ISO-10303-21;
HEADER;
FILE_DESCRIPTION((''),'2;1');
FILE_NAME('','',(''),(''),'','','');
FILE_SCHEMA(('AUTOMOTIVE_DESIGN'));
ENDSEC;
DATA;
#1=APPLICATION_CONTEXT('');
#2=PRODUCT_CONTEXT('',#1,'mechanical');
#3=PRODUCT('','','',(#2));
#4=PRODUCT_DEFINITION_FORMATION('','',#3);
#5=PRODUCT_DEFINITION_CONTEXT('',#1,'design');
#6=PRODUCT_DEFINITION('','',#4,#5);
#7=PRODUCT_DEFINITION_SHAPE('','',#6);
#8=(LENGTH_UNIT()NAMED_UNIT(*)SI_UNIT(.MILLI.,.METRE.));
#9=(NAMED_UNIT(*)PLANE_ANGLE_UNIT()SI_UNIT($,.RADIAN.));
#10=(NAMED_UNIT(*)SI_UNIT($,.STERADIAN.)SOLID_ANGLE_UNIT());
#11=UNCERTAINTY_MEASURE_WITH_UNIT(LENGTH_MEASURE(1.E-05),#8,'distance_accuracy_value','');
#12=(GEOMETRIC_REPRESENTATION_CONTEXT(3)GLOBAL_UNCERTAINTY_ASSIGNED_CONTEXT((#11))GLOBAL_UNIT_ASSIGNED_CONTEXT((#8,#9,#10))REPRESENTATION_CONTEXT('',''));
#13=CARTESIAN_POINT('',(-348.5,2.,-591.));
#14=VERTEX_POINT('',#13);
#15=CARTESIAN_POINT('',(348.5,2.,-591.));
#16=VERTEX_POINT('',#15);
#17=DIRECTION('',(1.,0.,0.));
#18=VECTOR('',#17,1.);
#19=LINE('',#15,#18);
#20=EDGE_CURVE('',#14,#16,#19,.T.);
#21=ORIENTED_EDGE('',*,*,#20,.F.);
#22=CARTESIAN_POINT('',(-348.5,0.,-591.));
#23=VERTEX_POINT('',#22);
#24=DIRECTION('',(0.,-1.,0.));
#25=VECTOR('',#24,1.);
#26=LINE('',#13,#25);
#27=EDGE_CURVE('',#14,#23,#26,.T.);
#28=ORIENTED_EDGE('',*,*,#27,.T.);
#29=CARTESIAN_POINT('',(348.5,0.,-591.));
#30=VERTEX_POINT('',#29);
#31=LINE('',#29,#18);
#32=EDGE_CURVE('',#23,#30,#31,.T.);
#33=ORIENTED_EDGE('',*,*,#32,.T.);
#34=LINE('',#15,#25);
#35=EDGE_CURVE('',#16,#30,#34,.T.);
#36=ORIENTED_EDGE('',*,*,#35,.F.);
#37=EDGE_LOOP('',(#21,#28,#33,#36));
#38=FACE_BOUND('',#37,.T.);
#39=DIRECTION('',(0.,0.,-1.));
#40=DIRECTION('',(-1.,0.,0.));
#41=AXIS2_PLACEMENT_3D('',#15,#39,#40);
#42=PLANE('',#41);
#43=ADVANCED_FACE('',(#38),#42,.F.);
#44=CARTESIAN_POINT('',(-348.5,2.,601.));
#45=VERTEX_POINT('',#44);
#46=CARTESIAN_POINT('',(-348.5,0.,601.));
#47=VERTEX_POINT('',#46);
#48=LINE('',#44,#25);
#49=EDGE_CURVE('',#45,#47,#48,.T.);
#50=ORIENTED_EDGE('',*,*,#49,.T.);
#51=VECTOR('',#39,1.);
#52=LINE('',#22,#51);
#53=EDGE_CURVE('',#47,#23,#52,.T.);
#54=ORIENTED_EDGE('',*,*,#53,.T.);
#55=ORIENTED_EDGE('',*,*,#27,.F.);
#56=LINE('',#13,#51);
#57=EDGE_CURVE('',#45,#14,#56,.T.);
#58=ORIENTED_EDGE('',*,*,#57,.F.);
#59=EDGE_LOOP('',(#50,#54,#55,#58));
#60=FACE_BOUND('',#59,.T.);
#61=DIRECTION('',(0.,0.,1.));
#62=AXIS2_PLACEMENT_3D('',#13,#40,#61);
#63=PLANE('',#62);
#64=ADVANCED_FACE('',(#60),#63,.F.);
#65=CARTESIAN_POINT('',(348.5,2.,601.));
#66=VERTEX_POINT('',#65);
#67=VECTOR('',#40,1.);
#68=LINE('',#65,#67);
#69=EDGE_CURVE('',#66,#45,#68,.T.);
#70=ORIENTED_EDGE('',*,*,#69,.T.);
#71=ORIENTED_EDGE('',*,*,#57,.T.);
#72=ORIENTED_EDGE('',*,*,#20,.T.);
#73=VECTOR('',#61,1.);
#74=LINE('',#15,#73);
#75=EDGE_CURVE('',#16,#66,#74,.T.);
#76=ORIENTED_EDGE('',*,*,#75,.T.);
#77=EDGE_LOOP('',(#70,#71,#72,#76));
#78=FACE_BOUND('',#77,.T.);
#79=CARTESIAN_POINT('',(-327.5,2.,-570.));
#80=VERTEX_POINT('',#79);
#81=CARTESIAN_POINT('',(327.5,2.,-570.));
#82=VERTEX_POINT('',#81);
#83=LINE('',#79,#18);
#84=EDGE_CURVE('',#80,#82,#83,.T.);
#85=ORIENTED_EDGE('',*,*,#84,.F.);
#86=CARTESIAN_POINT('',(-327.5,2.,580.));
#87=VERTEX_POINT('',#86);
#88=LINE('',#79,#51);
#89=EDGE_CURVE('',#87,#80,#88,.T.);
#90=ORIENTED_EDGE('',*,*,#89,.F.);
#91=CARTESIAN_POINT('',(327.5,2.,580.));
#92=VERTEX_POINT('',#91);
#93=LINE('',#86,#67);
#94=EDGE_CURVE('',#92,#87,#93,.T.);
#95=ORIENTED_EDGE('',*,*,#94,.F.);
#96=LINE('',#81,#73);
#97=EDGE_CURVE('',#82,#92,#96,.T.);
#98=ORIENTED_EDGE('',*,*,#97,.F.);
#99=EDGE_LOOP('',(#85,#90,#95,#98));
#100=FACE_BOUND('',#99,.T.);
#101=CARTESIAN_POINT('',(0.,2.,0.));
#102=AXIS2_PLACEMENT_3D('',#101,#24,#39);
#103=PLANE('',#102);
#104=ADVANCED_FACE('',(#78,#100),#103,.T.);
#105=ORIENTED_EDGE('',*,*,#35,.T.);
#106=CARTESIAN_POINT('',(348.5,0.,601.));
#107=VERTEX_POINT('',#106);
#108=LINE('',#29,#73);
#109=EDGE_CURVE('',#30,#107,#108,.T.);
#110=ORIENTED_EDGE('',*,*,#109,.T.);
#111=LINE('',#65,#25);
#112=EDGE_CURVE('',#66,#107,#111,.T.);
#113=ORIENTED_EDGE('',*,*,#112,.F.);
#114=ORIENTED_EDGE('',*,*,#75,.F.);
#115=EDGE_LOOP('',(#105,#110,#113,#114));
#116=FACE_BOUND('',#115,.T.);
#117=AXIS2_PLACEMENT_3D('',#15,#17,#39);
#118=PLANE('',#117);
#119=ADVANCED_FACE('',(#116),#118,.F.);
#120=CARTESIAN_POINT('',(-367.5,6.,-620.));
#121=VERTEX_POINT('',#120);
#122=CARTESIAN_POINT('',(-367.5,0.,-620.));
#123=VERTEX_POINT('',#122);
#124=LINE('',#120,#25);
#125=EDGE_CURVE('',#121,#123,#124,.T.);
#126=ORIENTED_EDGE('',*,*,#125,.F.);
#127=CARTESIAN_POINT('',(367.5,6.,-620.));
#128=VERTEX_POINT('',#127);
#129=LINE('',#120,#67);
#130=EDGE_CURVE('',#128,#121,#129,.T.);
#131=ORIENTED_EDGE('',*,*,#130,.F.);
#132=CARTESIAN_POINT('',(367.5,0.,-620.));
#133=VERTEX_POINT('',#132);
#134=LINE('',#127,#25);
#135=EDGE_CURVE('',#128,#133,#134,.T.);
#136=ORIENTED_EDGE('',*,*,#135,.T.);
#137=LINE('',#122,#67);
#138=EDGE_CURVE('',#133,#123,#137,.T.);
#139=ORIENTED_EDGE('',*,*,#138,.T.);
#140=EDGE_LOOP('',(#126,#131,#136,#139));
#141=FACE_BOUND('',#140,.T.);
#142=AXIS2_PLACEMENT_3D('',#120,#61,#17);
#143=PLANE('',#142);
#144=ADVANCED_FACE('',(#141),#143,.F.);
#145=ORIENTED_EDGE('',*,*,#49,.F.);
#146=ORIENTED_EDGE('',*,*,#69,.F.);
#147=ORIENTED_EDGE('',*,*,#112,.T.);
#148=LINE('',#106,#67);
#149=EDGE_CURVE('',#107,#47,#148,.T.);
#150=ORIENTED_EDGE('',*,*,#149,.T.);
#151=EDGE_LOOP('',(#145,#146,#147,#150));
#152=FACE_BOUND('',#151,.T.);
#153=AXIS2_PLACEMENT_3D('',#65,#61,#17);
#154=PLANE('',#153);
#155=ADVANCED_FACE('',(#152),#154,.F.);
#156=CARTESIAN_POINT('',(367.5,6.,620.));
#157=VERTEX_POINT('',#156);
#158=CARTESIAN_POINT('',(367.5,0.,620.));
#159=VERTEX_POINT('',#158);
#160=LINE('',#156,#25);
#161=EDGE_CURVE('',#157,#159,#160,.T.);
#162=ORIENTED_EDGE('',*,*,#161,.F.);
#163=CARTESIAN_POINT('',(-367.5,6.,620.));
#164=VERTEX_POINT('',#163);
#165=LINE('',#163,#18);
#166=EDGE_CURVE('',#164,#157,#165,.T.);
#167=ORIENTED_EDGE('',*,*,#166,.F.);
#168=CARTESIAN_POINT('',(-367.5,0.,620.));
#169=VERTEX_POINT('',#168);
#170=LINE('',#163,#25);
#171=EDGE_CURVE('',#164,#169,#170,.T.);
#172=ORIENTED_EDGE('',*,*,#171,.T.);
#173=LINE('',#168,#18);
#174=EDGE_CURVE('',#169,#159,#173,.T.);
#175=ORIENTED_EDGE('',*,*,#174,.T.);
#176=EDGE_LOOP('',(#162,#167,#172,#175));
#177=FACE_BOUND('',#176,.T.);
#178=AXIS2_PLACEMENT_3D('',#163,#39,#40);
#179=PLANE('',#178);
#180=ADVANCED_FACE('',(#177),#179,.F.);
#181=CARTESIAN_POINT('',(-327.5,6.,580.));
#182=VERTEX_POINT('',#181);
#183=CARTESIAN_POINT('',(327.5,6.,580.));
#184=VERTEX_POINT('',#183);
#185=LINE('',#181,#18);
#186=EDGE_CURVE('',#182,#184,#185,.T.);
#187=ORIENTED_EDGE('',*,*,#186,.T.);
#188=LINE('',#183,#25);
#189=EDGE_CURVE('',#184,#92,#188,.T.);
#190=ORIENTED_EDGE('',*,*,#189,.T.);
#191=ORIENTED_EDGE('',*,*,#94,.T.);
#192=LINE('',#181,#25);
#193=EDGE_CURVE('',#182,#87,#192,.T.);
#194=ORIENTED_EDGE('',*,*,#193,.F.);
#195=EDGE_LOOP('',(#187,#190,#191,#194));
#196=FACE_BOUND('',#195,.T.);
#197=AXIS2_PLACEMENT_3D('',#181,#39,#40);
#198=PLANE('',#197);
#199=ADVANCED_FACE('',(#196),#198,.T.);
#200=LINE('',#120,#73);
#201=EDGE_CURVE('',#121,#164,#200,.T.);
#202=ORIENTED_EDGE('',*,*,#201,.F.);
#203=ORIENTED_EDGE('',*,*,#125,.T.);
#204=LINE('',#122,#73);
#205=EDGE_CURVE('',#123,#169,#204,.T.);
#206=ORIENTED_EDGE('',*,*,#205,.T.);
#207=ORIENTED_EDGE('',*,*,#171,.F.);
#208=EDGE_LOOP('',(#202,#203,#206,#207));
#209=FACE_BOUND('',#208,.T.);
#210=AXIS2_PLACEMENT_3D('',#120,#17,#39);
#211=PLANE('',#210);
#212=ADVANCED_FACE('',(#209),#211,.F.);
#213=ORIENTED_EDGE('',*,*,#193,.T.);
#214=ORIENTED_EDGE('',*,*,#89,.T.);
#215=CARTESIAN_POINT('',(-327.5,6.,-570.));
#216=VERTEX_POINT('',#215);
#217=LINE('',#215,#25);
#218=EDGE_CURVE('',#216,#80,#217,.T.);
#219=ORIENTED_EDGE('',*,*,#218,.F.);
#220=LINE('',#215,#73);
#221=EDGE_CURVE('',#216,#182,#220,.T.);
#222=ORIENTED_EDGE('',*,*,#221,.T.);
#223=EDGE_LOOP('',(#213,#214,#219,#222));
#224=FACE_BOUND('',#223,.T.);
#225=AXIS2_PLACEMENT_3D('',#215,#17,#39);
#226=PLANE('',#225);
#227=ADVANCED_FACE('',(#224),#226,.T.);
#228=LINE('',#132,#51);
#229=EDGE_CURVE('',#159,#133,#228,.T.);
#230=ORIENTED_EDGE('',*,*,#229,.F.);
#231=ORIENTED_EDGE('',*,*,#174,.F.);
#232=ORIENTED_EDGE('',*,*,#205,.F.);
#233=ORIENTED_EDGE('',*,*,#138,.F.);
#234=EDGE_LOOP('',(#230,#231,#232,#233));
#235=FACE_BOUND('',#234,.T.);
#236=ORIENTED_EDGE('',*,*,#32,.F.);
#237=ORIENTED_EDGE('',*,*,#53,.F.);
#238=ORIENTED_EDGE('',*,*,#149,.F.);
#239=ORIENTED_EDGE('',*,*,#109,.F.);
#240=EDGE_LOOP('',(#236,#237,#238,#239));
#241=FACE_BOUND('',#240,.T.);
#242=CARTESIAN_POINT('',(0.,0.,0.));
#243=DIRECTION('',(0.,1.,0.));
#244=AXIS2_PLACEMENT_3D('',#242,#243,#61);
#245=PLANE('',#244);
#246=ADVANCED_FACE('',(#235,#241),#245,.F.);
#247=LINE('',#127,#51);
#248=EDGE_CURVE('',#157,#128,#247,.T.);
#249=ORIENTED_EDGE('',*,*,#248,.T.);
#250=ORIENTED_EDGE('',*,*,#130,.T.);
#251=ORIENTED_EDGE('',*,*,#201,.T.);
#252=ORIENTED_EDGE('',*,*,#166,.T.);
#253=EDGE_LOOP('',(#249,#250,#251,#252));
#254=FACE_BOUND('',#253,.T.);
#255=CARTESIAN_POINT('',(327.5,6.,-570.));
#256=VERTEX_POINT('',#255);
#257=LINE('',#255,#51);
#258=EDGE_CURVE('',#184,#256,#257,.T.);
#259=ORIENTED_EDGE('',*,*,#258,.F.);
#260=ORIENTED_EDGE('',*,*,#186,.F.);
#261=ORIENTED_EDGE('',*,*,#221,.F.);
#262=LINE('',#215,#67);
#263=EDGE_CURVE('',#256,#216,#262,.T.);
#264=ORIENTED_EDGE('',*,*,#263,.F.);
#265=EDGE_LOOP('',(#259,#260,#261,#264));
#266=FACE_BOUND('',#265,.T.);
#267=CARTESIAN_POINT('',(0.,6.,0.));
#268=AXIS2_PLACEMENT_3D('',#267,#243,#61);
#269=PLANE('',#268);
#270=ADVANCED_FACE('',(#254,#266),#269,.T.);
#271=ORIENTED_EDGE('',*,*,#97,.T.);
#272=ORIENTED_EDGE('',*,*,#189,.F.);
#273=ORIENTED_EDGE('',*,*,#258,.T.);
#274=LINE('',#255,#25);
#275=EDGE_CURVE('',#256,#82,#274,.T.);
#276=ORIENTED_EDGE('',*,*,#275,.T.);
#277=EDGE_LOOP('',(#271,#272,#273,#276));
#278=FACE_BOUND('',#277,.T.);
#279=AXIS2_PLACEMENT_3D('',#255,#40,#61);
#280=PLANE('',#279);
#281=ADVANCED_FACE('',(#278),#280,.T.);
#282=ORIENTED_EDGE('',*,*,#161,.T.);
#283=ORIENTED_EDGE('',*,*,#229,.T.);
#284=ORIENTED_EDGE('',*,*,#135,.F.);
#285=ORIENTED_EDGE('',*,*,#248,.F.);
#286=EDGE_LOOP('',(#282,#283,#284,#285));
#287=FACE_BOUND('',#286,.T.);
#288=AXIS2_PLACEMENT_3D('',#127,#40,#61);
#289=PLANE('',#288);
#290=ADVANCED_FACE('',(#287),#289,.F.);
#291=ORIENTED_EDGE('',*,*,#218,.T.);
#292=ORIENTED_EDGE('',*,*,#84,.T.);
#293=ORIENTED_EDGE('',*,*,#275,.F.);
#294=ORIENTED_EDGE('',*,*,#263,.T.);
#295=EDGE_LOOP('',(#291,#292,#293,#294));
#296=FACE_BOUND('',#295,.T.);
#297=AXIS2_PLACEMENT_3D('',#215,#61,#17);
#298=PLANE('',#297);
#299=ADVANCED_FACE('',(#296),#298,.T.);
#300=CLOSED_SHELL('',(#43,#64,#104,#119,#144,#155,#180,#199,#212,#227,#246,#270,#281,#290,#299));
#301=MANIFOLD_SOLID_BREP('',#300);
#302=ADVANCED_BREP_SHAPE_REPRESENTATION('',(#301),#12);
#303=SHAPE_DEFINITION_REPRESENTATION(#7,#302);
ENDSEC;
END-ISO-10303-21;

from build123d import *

# Parameters (mm, degrees)
SKETCH1_W           = 735
SKETCH1_H           = 1240
SKETCH1_W_2         = 655
SKETCH1_H_2         = 1150
BOSS_EXTRUDE1_DEPTH = 6
SKETCH2_W           = 697
SKETCH2_H           = 1192
CUT_EXTRUDE1_DEPTH  = 2


with BuildPart() as part:
    # Sketch1 → Boss-Extrude1 (new body)
    with BuildSketch(Plane(origin=(0, 0, 0), x_dir=(1, 0, 0), z_dir=(0, 1, 0))):
        Rectangle(SKETCH1_W, SKETCH1_H)
        with Locations((0, -5)):
            Rectangle(SKETCH1_W_2, SKETCH1_H_2, mode=Mode.SUBTRACT)
    extrude(amount=BOSS_EXTRUDE1_DEPTH)

    # Sketch2 → Cut-Extrude1 (cut)
    with BuildSketch(Plane.XZ):
        with Locations((0, 5)):
            Rectangle(SKETCH2_W, SKETCH2_H)
    extrude(amount=-CUT_EXTRUDE1_DEPTH, mode=Mode.SUBTRACT)


solid = part.part
